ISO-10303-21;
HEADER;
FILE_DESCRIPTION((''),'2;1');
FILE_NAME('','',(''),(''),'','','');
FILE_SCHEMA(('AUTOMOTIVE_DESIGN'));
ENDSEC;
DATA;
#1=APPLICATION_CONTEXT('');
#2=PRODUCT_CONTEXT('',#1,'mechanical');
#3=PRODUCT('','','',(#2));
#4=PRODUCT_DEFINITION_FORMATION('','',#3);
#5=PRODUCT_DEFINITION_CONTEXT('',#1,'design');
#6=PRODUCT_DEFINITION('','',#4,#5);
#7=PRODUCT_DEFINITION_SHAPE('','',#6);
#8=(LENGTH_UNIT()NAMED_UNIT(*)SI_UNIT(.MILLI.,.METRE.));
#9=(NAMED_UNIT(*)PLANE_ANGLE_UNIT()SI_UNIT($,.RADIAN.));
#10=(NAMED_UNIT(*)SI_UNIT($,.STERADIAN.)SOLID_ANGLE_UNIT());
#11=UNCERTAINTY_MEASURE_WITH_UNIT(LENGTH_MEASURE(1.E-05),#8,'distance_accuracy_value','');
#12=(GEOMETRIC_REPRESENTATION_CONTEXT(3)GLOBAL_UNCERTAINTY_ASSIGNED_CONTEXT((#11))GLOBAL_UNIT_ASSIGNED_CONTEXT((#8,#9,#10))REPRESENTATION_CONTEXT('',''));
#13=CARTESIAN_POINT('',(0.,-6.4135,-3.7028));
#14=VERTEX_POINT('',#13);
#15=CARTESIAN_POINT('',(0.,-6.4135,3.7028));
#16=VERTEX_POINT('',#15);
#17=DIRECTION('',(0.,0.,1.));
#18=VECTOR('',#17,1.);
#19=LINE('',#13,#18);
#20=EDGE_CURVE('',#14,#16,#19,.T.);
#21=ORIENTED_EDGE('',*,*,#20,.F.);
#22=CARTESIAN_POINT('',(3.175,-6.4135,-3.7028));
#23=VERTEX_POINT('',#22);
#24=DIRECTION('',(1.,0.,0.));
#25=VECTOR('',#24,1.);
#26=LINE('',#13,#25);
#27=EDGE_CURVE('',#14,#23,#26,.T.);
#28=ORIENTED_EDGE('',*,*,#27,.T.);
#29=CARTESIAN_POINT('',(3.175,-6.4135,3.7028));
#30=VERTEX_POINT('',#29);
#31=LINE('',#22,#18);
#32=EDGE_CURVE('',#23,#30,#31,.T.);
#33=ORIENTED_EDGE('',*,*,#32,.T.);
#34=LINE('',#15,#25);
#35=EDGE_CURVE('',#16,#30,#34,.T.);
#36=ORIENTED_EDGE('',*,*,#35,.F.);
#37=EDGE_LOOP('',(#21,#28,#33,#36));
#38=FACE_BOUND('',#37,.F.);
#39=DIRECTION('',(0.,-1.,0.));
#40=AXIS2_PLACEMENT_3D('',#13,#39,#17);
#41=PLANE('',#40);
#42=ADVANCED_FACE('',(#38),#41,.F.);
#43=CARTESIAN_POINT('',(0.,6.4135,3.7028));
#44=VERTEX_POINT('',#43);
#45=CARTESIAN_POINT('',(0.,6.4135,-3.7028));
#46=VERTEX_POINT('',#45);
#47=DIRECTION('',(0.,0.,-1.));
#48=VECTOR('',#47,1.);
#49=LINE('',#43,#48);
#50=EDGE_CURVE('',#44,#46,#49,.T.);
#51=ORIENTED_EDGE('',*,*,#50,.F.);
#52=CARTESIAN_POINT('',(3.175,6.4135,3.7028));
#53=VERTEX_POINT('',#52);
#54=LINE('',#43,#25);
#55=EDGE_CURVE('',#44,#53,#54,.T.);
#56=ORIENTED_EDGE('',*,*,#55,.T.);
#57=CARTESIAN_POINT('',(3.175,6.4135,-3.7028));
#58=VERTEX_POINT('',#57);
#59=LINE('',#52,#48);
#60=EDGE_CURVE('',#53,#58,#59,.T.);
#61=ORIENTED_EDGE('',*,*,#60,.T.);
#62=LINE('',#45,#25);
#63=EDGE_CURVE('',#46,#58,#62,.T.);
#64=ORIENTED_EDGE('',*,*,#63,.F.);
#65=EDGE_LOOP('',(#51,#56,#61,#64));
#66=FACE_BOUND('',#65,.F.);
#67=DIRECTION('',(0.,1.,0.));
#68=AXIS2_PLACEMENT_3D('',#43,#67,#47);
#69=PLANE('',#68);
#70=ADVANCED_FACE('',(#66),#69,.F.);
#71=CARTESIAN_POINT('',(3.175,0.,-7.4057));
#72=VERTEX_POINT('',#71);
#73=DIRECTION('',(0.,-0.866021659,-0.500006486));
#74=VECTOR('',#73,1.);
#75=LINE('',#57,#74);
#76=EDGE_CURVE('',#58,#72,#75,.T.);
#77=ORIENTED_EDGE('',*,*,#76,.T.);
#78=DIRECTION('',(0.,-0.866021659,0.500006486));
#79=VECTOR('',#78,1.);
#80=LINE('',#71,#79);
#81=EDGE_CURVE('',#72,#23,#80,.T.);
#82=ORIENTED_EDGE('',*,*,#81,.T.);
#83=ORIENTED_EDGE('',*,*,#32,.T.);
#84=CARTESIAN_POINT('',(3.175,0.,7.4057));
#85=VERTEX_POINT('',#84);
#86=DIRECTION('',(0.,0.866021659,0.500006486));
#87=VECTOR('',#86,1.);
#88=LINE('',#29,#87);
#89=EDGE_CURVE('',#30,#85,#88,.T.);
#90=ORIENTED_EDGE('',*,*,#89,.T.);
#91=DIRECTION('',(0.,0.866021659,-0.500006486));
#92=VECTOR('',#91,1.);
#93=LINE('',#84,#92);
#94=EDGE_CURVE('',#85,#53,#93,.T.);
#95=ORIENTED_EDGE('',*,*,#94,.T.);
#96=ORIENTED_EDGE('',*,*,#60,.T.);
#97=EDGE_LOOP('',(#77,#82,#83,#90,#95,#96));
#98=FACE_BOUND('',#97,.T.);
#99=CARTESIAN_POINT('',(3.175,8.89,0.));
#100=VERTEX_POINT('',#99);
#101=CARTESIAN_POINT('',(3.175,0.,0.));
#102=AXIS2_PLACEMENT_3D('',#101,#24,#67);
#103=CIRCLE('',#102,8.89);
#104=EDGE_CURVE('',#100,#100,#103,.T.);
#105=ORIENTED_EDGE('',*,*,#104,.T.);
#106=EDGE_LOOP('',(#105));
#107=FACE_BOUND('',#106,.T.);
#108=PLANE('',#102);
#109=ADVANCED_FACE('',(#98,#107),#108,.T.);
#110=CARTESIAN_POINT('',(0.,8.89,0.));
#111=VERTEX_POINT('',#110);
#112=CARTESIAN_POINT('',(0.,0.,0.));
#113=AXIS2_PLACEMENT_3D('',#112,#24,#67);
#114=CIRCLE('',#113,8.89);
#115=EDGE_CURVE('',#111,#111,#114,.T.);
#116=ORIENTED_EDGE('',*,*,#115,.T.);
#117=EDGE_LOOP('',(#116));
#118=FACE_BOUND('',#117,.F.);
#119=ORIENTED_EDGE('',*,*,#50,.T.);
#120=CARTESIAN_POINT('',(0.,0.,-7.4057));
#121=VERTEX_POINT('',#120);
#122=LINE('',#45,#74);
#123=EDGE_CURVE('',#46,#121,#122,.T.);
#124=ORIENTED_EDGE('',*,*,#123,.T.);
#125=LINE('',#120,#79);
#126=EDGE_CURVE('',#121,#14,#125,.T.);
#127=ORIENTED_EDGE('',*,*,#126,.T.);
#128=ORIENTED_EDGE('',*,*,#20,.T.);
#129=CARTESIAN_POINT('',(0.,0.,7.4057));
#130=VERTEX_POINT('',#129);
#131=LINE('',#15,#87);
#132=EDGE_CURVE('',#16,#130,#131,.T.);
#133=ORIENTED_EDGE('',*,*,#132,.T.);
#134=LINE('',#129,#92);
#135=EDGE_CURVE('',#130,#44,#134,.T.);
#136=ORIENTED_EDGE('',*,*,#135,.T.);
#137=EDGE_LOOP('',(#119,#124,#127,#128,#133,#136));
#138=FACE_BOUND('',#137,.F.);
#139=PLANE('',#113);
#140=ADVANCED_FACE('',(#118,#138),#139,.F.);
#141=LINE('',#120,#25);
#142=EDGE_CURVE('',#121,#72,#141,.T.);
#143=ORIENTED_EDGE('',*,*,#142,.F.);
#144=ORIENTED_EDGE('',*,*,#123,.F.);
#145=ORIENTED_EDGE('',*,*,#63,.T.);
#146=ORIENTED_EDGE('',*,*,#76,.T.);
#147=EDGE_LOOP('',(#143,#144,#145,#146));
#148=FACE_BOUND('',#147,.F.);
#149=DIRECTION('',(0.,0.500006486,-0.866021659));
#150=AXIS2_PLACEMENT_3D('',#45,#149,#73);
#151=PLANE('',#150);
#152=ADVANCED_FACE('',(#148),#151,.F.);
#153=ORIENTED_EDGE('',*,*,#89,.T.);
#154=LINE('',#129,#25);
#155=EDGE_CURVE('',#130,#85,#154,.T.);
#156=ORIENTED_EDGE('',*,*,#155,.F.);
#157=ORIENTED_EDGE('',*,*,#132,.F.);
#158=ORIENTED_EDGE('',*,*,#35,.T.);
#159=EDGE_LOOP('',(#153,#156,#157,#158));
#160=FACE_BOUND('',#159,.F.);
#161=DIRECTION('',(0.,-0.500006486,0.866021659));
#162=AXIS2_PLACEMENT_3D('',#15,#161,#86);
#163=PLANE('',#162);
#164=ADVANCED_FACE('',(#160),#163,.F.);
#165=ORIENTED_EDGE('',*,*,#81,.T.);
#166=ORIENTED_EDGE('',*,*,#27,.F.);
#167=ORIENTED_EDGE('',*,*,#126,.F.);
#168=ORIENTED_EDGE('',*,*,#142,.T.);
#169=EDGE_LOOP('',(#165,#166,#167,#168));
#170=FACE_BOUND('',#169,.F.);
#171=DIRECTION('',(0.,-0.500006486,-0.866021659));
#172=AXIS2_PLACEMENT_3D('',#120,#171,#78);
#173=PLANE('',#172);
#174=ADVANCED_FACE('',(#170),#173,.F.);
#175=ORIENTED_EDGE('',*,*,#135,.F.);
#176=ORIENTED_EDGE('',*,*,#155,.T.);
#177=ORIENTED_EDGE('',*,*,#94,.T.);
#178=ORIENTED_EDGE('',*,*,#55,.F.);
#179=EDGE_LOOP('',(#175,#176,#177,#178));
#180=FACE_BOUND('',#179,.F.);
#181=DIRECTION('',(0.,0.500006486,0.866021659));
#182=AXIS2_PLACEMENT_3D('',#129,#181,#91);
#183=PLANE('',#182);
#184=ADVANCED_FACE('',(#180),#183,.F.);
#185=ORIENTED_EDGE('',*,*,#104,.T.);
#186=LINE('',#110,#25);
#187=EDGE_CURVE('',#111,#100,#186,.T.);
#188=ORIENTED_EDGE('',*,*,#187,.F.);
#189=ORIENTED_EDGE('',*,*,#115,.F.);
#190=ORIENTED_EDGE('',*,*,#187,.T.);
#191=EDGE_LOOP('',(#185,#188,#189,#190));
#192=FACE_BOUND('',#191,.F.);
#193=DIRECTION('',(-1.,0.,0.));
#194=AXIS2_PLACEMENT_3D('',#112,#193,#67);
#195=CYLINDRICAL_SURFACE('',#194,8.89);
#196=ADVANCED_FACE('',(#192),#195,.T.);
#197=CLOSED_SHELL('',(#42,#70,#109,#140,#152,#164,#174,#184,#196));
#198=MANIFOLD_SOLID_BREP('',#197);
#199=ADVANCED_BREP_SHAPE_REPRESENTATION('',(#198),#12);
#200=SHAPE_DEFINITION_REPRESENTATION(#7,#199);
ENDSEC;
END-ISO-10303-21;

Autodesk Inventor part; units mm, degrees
ref_plane "YZ Plane" through (0, 0, 0) normal (1, 0, 0) x (0, 1, 0)
ref_plane "XZ Plane" through (0, 0, 0) normal (0, 1, 0) x (-1, 0, 0)
ref_plane "XY Plane" through (0, 0, 0) normal (0, 0, 1) x (1, 0, 0)
sketch "Sketch1" plane through (0, 0, 0) normal (1, 0, 0) x (0, 1, 0)
  line L0 (-6.4135, -3.7028) -> (-6.4135, 3.7028)
  line L1 (-6.4135, 3.7028) -> (0, 7.4057)
  line L2 (0, 7.4057) -> (6.4135, 3.7028)
  line L3 (6.4135, 3.7028) -> (6.4135, -3.7028)
  line L4 (6.4135, -3.7028) -> (0, -7.4057)
  line L5 (0, -7.4057) -> (-6.4135, -3.7028)
  circle A0 centre (0, 0) radius 8.89
  dimension "d0" = 12.827
  dimension "d1" = 17.78
extrude "Extrusion1" add sketch "Sketch1" along normal blind 3.175
properties part number "3DPRINT,BACKROLLERS,INTERROLLER,SPACER" material "ABS Plastic"
